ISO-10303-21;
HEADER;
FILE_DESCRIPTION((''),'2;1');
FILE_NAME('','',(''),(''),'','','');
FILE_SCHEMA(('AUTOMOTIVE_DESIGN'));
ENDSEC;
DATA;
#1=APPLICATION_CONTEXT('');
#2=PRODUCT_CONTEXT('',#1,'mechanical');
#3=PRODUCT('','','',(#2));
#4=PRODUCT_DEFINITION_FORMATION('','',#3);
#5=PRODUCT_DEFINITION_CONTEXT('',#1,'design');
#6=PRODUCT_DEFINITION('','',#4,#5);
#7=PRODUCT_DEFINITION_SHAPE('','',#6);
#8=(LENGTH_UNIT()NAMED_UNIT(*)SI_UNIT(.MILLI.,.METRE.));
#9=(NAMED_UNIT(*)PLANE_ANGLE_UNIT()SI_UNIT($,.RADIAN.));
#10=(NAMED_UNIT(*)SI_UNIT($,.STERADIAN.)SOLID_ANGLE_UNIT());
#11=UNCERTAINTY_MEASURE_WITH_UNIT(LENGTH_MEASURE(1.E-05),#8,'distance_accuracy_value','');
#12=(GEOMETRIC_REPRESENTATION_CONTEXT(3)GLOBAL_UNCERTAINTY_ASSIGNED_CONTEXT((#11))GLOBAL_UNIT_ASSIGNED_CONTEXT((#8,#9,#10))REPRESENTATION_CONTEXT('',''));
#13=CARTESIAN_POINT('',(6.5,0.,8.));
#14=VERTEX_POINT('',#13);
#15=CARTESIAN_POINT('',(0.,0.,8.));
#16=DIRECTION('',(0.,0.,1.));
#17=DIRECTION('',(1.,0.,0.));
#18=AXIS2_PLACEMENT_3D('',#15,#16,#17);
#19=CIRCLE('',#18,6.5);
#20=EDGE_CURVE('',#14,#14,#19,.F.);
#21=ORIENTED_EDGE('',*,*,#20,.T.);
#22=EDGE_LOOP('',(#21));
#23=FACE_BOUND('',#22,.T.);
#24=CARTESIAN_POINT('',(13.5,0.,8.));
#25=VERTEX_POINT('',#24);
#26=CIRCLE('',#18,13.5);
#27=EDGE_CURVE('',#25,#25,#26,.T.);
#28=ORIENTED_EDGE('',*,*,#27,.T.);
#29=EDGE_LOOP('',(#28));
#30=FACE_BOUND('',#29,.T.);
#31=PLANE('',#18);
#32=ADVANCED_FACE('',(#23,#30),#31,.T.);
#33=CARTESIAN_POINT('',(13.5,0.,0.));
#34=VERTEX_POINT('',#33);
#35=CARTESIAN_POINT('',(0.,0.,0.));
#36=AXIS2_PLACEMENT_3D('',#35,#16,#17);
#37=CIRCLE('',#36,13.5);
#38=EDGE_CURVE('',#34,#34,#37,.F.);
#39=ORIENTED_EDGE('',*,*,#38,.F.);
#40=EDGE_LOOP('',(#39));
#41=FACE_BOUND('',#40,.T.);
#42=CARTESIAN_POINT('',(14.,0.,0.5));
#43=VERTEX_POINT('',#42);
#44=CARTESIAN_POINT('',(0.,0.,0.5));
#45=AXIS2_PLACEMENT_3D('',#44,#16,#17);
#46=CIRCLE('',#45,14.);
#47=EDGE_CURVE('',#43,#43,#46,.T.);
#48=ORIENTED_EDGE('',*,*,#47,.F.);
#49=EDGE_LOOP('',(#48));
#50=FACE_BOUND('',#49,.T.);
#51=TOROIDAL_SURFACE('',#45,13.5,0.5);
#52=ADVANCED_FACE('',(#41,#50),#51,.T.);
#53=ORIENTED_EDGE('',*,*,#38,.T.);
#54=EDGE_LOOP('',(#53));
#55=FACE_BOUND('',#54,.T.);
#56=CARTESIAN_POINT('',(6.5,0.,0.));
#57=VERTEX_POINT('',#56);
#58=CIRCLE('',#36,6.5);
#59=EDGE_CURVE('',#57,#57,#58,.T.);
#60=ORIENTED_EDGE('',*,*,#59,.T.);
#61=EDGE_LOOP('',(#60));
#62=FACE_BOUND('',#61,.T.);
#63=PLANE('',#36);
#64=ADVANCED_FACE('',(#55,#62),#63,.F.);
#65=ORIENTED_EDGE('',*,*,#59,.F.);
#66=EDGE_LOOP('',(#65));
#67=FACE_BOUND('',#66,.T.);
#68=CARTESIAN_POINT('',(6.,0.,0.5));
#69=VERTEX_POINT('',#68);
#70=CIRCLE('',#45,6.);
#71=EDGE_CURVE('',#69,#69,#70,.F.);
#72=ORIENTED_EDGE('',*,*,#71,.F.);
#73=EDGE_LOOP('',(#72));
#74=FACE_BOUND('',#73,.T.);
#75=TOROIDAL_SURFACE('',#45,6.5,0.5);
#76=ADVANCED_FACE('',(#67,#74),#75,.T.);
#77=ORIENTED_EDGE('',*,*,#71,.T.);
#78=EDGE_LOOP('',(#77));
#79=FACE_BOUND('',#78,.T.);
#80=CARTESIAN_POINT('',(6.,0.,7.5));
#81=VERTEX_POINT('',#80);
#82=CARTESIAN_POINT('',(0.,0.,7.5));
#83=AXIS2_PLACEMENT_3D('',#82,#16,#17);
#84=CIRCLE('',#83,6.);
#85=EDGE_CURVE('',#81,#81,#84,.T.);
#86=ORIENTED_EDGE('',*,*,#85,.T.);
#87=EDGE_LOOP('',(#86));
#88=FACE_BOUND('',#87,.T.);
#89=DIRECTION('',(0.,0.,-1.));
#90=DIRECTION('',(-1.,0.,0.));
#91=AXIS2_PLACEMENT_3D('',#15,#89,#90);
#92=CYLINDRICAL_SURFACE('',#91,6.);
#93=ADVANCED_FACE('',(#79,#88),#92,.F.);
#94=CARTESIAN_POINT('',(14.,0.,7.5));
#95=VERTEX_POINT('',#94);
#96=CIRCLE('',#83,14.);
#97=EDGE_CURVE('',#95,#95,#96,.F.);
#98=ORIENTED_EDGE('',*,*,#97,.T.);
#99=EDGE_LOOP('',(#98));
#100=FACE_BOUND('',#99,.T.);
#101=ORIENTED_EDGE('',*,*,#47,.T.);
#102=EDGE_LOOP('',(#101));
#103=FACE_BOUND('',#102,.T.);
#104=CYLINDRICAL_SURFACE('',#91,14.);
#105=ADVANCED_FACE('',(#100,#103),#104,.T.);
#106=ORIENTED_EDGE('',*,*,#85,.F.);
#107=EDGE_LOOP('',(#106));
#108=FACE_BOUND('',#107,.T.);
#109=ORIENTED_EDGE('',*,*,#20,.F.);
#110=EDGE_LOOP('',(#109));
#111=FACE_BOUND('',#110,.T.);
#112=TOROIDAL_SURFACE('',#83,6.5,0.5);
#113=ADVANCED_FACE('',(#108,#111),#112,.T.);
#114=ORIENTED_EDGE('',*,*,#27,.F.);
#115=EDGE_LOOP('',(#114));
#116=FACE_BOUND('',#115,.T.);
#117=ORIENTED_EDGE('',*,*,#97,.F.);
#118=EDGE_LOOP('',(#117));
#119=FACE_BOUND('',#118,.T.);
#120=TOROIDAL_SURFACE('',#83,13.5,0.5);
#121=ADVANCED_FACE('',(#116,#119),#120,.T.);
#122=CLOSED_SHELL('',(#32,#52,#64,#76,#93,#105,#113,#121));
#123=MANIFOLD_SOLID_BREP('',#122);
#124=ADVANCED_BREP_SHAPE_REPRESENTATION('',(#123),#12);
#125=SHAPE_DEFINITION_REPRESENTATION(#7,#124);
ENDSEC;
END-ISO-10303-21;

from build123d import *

# Parameters (mm, degrees)
ESQUISSE1_R        = 14
ESQUISSE1_R_2      = 6
BOSS_EXTRU_1_DEPTH = 8
CONG_1_R           = 0.5


with BuildPart() as part:
    # Esquisse1 → Boss.-Extru.1 (new body)
    with BuildSketch(Plane.XY):
        Circle(ESQUISSE1_R)
        Circle(ESQUISSE1_R_2, mode=Mode.SUBTRACT)
    extrude(amount=BOSS_EXTRU_1_DEPTH)

    # Congé1
    cong_1_edges = [part.edges().sort_by_distance(p)[0] for p in [
        (-14, 0, 0),
        (-14, 0, 8),
        (-6, 0, 0),
        (-6, 0, 8),
    ]]
    fillet(cong_1_edges, radius=CONG_1_R)


solid = part.part
